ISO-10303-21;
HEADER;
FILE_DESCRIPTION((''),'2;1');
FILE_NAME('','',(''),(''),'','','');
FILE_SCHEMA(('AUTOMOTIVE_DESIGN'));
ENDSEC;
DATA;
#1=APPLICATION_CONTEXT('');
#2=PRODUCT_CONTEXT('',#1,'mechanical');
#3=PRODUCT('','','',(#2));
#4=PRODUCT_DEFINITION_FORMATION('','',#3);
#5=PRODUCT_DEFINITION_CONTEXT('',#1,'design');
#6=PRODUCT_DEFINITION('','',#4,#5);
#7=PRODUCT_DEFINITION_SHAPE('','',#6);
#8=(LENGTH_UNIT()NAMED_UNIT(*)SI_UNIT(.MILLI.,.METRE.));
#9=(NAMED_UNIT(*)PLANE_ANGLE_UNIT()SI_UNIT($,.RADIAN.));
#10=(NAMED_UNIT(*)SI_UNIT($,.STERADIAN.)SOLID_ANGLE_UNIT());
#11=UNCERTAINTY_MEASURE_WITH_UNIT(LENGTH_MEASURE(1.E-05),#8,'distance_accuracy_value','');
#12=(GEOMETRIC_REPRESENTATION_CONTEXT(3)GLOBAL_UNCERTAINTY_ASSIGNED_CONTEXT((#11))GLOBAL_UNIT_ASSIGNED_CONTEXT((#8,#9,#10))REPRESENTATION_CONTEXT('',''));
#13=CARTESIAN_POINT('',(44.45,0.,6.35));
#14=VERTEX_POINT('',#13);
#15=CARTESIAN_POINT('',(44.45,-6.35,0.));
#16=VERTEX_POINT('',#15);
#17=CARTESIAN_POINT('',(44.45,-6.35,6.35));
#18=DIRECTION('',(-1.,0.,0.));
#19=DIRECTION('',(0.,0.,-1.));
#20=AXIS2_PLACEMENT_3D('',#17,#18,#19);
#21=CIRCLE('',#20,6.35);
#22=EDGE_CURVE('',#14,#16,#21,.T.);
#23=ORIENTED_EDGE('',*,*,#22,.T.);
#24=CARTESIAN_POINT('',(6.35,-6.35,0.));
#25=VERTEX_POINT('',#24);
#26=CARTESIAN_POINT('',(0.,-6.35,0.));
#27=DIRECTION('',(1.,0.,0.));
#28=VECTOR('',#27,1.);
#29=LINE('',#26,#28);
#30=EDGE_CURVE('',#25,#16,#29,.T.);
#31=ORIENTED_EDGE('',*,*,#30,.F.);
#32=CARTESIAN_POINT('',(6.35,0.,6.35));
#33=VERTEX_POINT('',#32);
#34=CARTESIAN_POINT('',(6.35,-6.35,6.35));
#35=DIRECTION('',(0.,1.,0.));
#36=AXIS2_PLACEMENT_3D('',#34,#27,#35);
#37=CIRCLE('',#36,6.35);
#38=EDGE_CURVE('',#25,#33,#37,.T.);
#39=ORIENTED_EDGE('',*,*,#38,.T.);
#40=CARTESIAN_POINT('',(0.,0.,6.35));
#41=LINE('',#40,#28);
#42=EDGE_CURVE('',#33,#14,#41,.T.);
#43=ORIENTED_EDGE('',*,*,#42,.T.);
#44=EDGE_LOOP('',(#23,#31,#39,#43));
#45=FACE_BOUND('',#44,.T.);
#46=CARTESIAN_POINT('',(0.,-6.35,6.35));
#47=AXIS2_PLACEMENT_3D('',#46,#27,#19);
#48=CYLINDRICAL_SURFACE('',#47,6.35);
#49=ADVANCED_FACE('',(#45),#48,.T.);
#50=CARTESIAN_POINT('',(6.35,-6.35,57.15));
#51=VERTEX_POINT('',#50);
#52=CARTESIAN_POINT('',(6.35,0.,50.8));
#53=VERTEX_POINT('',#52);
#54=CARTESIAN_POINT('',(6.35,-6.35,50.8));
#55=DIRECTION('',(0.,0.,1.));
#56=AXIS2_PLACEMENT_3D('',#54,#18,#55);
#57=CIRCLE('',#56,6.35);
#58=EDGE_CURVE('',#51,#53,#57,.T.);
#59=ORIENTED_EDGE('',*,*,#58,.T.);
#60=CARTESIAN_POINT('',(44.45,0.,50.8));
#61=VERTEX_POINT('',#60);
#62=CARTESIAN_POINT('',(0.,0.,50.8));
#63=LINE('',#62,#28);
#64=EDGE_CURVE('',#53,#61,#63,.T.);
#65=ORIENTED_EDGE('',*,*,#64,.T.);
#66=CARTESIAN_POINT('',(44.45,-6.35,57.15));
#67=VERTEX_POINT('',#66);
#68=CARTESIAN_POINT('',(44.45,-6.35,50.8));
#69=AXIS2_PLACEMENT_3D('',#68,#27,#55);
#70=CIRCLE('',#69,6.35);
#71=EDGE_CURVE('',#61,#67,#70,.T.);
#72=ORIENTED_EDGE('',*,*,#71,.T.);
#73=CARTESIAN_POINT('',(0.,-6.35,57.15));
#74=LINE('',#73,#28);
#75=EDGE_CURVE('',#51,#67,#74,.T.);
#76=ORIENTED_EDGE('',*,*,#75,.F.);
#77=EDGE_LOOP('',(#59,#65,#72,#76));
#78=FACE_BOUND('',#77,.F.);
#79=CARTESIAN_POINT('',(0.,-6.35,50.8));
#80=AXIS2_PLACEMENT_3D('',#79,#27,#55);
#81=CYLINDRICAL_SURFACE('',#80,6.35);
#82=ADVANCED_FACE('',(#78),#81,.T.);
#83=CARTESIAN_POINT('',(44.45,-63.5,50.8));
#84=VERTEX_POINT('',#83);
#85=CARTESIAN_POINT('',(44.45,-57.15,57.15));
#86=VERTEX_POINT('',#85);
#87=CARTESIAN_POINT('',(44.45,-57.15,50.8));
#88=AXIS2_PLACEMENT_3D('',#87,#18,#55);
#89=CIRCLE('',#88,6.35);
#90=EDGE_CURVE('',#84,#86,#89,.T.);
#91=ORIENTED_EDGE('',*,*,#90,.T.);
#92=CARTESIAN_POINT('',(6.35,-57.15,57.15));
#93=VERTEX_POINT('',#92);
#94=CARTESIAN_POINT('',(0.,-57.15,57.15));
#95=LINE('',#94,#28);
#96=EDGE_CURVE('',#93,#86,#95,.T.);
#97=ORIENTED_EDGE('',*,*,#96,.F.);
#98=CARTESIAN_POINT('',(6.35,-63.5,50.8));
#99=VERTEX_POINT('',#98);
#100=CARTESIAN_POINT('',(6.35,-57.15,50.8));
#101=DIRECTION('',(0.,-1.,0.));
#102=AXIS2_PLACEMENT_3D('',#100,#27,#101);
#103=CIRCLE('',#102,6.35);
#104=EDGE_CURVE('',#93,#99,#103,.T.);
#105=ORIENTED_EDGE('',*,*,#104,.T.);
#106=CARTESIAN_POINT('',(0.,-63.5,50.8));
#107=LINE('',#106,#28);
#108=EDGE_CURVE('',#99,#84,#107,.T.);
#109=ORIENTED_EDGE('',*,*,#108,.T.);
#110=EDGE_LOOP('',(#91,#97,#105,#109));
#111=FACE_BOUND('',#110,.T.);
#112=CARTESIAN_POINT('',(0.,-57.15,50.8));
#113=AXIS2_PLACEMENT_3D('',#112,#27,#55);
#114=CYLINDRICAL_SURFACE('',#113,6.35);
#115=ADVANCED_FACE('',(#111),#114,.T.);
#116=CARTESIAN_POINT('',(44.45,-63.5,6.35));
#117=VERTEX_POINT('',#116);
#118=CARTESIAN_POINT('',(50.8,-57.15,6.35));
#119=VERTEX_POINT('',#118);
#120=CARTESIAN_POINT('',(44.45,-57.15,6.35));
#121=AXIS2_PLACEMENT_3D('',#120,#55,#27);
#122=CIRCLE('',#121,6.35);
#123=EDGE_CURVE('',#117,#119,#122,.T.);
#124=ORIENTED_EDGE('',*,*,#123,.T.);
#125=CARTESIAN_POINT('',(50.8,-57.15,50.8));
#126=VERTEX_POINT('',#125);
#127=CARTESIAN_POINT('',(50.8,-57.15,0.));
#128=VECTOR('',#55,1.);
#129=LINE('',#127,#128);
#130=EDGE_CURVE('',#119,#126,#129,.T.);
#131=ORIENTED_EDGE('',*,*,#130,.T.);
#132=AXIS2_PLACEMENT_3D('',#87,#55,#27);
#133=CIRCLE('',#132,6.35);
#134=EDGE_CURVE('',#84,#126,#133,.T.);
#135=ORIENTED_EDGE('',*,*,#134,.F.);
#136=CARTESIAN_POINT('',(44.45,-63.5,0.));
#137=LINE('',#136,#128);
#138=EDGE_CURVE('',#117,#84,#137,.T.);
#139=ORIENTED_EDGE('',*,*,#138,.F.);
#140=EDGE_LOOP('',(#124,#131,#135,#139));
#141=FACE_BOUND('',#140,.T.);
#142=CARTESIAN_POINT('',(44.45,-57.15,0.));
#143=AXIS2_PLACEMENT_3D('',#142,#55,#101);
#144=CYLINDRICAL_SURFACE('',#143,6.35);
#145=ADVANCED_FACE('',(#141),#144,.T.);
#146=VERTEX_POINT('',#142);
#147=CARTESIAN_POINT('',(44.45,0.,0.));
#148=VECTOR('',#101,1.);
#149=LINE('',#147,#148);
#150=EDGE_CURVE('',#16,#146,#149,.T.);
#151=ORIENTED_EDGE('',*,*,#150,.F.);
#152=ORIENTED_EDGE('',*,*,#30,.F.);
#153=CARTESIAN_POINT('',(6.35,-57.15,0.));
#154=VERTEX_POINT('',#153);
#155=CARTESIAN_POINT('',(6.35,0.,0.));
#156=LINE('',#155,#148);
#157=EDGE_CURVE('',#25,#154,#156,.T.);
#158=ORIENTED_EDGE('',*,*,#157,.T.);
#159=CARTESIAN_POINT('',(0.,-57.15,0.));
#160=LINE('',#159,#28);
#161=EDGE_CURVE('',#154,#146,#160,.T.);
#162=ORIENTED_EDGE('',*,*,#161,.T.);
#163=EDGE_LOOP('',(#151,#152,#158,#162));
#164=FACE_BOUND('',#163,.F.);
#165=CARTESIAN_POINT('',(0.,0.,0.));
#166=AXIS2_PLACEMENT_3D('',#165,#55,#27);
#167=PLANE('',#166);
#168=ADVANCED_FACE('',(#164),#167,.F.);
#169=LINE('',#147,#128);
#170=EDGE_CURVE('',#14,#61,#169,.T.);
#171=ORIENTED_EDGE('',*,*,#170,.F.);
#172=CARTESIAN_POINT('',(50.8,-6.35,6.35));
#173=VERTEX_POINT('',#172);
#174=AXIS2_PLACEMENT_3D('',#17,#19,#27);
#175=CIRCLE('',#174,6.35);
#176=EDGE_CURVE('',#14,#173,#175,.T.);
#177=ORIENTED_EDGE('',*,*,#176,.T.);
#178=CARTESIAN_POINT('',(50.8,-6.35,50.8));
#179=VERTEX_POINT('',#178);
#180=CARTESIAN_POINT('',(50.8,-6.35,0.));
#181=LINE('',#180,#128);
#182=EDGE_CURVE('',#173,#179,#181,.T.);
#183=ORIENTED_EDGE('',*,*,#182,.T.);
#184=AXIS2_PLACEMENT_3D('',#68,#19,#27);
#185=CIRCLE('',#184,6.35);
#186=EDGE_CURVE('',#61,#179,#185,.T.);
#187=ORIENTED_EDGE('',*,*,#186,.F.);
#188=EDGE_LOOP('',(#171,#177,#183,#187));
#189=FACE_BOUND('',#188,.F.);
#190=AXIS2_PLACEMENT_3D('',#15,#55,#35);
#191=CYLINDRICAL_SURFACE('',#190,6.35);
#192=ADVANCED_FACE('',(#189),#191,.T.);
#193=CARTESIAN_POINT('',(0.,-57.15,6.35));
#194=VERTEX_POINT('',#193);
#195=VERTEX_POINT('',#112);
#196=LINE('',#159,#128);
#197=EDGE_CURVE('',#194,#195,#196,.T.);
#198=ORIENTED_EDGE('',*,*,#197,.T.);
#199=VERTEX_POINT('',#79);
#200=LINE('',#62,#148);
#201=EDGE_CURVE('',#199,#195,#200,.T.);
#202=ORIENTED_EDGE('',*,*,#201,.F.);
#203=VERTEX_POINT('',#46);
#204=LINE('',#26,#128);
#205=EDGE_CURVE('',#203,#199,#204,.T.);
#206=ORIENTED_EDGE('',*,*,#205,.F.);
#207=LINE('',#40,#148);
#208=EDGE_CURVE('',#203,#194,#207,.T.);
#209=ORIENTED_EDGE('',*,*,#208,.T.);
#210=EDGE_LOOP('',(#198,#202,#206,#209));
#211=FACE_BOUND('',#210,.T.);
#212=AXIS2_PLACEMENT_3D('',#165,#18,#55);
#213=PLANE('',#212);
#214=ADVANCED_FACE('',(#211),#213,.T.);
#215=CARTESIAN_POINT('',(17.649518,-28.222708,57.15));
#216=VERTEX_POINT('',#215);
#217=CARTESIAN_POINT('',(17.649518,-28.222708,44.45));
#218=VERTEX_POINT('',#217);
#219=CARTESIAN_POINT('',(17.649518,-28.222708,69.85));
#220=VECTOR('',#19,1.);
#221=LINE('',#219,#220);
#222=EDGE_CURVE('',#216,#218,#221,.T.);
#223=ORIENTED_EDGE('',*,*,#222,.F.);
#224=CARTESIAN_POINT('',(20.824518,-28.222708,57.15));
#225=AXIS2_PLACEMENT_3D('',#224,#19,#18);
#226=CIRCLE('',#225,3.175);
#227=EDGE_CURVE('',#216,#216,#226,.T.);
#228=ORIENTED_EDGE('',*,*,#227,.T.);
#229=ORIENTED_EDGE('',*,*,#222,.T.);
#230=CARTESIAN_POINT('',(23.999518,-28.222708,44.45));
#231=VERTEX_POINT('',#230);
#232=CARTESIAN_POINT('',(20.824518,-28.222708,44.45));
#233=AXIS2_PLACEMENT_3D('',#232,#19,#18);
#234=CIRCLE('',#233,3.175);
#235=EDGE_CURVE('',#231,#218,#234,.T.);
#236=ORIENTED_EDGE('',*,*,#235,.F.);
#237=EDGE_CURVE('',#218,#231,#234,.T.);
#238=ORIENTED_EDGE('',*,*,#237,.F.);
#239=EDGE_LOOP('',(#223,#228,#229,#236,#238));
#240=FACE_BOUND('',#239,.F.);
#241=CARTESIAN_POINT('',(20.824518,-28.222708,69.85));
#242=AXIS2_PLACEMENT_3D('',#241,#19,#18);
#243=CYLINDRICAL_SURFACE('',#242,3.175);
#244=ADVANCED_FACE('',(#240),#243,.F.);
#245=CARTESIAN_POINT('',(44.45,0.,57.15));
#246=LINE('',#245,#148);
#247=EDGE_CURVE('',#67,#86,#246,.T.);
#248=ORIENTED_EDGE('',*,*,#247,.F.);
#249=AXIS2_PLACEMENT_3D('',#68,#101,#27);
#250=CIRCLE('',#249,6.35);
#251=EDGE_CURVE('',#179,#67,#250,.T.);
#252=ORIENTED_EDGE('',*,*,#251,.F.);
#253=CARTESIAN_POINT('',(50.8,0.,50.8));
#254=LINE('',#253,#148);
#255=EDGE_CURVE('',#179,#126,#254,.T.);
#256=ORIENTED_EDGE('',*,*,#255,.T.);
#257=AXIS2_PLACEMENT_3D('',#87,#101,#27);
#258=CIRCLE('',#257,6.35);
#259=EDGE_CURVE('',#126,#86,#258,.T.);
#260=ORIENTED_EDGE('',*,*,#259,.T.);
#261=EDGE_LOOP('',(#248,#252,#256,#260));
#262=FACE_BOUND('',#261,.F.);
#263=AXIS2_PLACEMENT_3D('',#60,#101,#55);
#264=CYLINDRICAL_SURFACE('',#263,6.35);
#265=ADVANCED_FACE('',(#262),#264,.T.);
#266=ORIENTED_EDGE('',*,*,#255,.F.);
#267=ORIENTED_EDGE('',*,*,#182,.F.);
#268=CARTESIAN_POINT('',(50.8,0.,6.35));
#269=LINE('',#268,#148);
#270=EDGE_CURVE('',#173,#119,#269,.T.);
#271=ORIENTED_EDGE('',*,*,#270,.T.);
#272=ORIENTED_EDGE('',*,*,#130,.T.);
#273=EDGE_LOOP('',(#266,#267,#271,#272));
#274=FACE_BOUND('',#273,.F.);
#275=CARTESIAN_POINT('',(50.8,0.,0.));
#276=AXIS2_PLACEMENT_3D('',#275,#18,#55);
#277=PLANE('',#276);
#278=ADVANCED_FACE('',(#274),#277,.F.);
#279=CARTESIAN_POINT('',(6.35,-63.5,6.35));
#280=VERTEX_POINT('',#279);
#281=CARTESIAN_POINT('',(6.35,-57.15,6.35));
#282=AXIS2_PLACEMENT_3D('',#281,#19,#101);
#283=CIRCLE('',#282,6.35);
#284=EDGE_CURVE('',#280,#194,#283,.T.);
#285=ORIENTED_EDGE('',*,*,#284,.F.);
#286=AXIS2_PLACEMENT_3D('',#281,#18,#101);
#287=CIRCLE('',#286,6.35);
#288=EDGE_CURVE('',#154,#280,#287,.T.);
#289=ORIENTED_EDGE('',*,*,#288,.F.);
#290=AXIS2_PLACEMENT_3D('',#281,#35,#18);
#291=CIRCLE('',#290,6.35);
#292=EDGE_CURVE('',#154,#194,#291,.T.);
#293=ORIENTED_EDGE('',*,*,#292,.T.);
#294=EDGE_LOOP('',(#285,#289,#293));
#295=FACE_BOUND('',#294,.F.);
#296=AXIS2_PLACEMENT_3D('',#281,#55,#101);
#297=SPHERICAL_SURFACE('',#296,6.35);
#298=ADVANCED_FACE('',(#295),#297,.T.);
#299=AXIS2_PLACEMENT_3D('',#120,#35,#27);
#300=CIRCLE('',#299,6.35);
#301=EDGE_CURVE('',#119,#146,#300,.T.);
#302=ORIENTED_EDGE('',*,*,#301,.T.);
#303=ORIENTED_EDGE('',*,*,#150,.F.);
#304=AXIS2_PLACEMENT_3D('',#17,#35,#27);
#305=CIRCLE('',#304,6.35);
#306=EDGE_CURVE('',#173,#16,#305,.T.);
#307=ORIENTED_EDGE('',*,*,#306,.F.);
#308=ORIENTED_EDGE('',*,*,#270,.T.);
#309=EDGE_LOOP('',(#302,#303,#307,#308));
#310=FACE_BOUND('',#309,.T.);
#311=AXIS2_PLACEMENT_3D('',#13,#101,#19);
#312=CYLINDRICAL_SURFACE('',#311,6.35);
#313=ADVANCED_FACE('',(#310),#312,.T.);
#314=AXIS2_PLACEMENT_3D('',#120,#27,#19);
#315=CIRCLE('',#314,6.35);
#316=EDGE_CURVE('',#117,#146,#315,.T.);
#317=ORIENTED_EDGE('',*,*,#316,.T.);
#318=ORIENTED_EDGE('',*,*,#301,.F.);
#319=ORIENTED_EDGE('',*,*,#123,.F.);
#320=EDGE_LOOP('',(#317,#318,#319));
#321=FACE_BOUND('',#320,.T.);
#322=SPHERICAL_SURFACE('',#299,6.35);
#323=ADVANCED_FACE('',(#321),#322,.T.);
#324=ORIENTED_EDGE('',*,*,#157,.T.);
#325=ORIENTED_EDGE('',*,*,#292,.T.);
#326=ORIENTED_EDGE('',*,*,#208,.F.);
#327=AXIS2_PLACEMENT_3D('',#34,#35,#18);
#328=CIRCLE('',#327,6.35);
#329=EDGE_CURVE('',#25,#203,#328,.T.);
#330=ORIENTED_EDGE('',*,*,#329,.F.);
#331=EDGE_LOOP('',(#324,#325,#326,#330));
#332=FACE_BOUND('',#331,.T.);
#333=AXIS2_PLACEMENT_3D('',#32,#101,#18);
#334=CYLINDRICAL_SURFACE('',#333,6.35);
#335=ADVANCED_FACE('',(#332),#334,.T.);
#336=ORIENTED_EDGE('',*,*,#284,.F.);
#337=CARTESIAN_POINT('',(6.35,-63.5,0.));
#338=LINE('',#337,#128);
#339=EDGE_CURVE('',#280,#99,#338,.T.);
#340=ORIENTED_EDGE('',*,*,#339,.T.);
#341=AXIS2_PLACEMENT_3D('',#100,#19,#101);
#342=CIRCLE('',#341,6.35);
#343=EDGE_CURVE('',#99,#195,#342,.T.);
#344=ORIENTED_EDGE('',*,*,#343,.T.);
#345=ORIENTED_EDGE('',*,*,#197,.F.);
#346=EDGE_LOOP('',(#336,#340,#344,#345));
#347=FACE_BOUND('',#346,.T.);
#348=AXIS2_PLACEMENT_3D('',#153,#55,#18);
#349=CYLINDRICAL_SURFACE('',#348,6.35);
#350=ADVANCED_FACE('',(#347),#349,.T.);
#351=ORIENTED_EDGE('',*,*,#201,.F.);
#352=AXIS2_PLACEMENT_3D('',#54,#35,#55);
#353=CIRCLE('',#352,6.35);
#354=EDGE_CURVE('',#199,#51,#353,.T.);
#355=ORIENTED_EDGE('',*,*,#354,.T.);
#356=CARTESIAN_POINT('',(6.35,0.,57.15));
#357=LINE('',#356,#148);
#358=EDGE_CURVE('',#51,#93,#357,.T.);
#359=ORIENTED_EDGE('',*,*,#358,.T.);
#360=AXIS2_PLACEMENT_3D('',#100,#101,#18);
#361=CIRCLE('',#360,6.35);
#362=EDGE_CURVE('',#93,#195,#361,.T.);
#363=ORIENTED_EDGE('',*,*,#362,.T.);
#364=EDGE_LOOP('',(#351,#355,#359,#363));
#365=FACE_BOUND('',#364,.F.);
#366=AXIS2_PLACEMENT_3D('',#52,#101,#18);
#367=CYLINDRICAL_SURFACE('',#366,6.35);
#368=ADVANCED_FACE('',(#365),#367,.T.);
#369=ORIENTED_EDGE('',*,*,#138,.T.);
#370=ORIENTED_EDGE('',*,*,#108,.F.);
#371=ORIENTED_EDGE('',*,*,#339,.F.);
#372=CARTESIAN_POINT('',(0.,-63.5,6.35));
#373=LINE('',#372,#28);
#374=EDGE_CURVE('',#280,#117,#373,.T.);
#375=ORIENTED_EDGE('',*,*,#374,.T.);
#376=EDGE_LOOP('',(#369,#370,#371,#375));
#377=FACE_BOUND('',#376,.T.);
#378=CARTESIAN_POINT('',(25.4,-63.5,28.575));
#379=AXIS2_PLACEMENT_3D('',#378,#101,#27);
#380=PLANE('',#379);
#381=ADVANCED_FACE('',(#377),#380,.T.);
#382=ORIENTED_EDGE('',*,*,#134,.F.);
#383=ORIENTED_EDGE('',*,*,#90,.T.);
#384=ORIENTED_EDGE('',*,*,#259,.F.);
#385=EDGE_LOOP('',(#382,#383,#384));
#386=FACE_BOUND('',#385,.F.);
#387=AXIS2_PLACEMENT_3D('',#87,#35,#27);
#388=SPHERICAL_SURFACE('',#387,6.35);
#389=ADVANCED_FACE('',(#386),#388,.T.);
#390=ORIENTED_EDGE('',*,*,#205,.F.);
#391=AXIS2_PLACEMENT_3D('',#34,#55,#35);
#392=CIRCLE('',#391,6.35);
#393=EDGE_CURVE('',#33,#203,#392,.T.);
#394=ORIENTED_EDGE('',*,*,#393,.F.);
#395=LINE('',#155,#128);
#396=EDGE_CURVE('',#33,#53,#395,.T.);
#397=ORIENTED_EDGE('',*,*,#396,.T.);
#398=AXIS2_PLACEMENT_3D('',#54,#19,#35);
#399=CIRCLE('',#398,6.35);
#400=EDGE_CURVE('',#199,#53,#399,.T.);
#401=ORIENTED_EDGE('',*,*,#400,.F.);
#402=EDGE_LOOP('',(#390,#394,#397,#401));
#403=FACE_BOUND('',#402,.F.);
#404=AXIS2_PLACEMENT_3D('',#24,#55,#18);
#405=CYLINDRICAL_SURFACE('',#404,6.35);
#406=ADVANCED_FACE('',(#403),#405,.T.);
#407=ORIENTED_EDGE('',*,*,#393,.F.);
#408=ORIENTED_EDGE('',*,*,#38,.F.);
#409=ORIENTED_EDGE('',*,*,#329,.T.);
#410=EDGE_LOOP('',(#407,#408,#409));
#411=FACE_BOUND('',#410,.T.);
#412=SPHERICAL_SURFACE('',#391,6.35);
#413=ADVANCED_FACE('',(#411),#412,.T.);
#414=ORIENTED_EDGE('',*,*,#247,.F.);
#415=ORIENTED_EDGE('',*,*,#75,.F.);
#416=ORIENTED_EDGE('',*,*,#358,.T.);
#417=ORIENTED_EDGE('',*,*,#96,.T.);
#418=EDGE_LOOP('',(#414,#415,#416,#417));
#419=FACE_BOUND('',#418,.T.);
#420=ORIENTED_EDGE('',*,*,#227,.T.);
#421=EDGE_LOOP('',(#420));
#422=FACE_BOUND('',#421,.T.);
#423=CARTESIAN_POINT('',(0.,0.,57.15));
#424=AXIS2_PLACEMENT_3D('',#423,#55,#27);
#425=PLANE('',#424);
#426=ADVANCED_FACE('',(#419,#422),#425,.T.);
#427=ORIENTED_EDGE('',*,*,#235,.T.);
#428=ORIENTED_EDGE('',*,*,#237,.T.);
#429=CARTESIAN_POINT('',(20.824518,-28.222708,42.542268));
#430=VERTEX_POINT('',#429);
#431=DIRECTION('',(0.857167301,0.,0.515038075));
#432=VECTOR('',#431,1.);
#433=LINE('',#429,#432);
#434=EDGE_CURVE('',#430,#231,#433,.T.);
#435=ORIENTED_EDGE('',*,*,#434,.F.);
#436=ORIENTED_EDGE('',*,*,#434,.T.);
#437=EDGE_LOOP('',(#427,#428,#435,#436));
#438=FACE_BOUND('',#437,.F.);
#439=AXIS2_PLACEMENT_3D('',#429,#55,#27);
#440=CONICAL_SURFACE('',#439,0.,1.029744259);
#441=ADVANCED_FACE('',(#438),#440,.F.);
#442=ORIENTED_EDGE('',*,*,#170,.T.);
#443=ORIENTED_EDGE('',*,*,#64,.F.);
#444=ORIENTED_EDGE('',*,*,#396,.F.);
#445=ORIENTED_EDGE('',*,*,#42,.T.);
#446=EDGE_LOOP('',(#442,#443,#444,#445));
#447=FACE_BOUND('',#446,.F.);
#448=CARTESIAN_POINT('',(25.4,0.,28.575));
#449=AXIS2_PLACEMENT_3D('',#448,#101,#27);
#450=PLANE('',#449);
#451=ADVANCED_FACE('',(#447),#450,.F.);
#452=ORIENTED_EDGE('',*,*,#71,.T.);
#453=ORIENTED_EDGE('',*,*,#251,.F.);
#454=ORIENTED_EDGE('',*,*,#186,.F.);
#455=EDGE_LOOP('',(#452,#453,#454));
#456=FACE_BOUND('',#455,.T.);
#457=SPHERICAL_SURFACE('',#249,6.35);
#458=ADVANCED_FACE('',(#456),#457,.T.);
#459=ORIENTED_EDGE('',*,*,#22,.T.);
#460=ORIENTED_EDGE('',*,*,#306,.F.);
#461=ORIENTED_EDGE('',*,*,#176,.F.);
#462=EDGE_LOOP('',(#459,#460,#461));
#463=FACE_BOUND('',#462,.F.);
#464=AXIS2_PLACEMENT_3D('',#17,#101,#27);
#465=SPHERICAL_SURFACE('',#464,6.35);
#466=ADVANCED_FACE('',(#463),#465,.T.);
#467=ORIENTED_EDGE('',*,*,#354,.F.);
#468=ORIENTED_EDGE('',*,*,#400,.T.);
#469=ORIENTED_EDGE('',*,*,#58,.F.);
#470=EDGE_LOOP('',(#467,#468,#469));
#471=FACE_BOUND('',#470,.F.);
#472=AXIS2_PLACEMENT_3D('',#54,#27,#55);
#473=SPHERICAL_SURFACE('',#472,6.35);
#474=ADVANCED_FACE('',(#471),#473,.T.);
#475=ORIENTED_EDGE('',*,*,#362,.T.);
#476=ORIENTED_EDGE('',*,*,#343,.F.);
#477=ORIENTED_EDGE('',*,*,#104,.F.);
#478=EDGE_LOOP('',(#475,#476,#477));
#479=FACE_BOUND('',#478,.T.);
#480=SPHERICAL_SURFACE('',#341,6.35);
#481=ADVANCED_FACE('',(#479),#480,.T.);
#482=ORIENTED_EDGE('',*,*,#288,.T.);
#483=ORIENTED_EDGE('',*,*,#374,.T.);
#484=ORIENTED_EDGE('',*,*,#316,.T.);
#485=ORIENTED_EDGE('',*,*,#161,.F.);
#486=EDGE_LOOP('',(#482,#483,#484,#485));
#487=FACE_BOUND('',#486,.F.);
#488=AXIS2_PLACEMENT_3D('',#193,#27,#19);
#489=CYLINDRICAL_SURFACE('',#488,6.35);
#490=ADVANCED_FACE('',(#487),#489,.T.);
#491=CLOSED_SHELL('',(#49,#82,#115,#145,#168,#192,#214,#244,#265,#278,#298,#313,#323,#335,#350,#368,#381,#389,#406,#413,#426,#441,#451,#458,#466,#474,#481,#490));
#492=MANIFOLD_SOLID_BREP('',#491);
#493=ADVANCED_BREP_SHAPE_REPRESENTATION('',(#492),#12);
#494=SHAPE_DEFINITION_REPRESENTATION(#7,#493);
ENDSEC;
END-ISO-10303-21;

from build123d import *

# Parameters (mm, degrees)
F0_W     = 50.8
F0_H     = 57.15
F1_DEPTH = 63.5
F3_D     = 6.35
F3_DEPTH = 12.7
F3_TIP   = 1.9077324654
F4_R     = 6.35


with BuildPart() as f1:
    # F0 (on Front) → F1 (new body)
    with BuildSketch(Plane.XZ):
        with Locations((25.4, 28.575)):
            Rectangle(F0_W, F0_H)
    extrude(amount=F1_DEPTH)

    # F3
    with Locations(Plane.XY.offset(57.15)):
        with Locations((20.8245180547, -28.2227080315)):
            Hole(F3_D / 2, depth=F3_DEPTH)
            with Locations((0, 0, -(F3_DEPTH + F3_TIP / 2))):  # 118° drill point
                Cone(0, F3_D / 2, F3_TIP, mode=Mode.SUBTRACT)

    # F4
    f4_edges = [f1.edges().sort_by_distance(p)[0] for p in [
        (50.8, -31.75, 0),
        (50.8, -31.75, 57.15),
        (50.8, 0, 28.575),
        (50.8, -63.5, 28.575),
        (0, -63.5, 28.575),
        (25.4, -63.5, 0),
        (25.4, -63.5, 57.15),
        (25.4, 0, 57.15),
        (0, -31.75, 57.15),
        (0, 0, 28.575),
        (25.4, 0, 0),
        (0, -31.75, 0),
    ]]
    fillet(f4_edges, radius=F4_R)


solid = f1.part
